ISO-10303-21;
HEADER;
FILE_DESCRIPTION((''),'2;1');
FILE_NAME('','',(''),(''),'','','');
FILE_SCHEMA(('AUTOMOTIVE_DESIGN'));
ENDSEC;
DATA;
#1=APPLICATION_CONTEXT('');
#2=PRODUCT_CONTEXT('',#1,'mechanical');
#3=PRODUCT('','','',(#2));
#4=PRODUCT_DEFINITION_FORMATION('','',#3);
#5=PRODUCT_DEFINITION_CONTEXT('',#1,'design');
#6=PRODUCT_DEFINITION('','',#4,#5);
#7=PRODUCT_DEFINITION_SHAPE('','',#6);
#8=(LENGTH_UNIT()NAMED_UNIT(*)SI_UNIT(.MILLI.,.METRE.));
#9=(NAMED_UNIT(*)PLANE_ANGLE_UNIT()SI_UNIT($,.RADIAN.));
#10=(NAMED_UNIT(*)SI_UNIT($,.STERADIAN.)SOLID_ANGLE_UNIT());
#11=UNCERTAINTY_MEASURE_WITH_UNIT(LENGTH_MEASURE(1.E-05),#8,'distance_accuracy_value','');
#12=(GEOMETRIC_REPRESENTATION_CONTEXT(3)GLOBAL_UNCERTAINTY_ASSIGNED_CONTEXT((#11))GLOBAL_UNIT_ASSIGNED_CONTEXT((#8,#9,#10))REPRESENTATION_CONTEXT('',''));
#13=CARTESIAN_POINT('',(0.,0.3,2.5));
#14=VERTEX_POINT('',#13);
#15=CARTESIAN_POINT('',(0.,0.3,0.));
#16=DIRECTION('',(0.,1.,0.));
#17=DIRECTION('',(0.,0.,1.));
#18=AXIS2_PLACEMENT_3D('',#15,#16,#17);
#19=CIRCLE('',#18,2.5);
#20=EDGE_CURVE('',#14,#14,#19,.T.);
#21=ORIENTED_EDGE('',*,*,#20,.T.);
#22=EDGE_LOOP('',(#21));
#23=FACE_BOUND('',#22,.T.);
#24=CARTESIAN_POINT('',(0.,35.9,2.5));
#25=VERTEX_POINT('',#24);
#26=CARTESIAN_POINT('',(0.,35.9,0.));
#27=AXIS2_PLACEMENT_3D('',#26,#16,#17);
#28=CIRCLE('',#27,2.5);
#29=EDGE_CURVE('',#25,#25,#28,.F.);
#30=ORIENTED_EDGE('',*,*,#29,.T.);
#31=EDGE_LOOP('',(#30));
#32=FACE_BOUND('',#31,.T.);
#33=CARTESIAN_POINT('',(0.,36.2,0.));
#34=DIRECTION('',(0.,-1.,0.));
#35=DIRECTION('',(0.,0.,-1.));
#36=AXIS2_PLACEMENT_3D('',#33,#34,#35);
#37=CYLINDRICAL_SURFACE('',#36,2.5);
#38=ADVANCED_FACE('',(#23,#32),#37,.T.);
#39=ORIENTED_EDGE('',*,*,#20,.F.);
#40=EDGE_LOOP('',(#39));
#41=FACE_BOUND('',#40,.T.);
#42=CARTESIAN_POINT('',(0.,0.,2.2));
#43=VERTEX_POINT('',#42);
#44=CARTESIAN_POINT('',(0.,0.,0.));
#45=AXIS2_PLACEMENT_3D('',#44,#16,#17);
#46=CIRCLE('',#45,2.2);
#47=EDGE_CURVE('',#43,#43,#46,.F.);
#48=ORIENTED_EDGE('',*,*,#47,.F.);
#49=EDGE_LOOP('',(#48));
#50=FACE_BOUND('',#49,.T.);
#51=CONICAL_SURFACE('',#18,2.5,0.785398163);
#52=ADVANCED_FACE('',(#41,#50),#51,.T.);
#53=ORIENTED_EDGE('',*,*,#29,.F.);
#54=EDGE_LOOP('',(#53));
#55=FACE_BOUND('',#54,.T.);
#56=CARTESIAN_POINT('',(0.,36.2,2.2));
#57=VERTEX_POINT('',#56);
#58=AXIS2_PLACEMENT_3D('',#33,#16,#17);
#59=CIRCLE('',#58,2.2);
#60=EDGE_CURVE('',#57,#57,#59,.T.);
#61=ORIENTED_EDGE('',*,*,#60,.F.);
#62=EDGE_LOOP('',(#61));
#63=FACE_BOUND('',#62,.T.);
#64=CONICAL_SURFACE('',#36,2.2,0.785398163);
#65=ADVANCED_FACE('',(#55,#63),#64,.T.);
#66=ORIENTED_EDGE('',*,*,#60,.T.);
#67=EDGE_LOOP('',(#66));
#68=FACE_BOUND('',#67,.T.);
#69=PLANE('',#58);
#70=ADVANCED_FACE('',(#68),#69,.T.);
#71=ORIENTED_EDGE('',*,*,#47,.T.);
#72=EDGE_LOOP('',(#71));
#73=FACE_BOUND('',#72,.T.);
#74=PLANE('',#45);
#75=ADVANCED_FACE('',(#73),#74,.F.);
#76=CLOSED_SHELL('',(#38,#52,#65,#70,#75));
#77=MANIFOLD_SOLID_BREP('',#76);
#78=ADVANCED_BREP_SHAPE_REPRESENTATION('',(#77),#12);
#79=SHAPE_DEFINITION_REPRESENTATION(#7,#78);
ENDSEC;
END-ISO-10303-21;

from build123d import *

# Parameters (mm, degrees)
SKETCH1_R           = 2.5
BOSS_EXTRUDE1_DEPTH = 36.2
CHAMFER1_SIZE       = 0.3


with BuildPart() as part:
    # Sketch1 → Boss-Extrude1 (new body)
    with BuildSketch(Plane(origin=(0, 0, 0), x_dir=(1, 0, 0), z_dir=(0, 1, 0))):
        Circle(SKETCH1_R)
    extrude(amount=BOSS_EXTRUDE1_DEPTH)

    # Chamfer1
    chamfer1_edges = [part.edges().sort_by_distance(p)[0] for p in [
        (-2.5, 0, 0),
        (-2.5, 36.2, 0),
    ]]
    chamfer(chamfer1_edges, length=CHAMFER1_SIZE)


solid = part.part
